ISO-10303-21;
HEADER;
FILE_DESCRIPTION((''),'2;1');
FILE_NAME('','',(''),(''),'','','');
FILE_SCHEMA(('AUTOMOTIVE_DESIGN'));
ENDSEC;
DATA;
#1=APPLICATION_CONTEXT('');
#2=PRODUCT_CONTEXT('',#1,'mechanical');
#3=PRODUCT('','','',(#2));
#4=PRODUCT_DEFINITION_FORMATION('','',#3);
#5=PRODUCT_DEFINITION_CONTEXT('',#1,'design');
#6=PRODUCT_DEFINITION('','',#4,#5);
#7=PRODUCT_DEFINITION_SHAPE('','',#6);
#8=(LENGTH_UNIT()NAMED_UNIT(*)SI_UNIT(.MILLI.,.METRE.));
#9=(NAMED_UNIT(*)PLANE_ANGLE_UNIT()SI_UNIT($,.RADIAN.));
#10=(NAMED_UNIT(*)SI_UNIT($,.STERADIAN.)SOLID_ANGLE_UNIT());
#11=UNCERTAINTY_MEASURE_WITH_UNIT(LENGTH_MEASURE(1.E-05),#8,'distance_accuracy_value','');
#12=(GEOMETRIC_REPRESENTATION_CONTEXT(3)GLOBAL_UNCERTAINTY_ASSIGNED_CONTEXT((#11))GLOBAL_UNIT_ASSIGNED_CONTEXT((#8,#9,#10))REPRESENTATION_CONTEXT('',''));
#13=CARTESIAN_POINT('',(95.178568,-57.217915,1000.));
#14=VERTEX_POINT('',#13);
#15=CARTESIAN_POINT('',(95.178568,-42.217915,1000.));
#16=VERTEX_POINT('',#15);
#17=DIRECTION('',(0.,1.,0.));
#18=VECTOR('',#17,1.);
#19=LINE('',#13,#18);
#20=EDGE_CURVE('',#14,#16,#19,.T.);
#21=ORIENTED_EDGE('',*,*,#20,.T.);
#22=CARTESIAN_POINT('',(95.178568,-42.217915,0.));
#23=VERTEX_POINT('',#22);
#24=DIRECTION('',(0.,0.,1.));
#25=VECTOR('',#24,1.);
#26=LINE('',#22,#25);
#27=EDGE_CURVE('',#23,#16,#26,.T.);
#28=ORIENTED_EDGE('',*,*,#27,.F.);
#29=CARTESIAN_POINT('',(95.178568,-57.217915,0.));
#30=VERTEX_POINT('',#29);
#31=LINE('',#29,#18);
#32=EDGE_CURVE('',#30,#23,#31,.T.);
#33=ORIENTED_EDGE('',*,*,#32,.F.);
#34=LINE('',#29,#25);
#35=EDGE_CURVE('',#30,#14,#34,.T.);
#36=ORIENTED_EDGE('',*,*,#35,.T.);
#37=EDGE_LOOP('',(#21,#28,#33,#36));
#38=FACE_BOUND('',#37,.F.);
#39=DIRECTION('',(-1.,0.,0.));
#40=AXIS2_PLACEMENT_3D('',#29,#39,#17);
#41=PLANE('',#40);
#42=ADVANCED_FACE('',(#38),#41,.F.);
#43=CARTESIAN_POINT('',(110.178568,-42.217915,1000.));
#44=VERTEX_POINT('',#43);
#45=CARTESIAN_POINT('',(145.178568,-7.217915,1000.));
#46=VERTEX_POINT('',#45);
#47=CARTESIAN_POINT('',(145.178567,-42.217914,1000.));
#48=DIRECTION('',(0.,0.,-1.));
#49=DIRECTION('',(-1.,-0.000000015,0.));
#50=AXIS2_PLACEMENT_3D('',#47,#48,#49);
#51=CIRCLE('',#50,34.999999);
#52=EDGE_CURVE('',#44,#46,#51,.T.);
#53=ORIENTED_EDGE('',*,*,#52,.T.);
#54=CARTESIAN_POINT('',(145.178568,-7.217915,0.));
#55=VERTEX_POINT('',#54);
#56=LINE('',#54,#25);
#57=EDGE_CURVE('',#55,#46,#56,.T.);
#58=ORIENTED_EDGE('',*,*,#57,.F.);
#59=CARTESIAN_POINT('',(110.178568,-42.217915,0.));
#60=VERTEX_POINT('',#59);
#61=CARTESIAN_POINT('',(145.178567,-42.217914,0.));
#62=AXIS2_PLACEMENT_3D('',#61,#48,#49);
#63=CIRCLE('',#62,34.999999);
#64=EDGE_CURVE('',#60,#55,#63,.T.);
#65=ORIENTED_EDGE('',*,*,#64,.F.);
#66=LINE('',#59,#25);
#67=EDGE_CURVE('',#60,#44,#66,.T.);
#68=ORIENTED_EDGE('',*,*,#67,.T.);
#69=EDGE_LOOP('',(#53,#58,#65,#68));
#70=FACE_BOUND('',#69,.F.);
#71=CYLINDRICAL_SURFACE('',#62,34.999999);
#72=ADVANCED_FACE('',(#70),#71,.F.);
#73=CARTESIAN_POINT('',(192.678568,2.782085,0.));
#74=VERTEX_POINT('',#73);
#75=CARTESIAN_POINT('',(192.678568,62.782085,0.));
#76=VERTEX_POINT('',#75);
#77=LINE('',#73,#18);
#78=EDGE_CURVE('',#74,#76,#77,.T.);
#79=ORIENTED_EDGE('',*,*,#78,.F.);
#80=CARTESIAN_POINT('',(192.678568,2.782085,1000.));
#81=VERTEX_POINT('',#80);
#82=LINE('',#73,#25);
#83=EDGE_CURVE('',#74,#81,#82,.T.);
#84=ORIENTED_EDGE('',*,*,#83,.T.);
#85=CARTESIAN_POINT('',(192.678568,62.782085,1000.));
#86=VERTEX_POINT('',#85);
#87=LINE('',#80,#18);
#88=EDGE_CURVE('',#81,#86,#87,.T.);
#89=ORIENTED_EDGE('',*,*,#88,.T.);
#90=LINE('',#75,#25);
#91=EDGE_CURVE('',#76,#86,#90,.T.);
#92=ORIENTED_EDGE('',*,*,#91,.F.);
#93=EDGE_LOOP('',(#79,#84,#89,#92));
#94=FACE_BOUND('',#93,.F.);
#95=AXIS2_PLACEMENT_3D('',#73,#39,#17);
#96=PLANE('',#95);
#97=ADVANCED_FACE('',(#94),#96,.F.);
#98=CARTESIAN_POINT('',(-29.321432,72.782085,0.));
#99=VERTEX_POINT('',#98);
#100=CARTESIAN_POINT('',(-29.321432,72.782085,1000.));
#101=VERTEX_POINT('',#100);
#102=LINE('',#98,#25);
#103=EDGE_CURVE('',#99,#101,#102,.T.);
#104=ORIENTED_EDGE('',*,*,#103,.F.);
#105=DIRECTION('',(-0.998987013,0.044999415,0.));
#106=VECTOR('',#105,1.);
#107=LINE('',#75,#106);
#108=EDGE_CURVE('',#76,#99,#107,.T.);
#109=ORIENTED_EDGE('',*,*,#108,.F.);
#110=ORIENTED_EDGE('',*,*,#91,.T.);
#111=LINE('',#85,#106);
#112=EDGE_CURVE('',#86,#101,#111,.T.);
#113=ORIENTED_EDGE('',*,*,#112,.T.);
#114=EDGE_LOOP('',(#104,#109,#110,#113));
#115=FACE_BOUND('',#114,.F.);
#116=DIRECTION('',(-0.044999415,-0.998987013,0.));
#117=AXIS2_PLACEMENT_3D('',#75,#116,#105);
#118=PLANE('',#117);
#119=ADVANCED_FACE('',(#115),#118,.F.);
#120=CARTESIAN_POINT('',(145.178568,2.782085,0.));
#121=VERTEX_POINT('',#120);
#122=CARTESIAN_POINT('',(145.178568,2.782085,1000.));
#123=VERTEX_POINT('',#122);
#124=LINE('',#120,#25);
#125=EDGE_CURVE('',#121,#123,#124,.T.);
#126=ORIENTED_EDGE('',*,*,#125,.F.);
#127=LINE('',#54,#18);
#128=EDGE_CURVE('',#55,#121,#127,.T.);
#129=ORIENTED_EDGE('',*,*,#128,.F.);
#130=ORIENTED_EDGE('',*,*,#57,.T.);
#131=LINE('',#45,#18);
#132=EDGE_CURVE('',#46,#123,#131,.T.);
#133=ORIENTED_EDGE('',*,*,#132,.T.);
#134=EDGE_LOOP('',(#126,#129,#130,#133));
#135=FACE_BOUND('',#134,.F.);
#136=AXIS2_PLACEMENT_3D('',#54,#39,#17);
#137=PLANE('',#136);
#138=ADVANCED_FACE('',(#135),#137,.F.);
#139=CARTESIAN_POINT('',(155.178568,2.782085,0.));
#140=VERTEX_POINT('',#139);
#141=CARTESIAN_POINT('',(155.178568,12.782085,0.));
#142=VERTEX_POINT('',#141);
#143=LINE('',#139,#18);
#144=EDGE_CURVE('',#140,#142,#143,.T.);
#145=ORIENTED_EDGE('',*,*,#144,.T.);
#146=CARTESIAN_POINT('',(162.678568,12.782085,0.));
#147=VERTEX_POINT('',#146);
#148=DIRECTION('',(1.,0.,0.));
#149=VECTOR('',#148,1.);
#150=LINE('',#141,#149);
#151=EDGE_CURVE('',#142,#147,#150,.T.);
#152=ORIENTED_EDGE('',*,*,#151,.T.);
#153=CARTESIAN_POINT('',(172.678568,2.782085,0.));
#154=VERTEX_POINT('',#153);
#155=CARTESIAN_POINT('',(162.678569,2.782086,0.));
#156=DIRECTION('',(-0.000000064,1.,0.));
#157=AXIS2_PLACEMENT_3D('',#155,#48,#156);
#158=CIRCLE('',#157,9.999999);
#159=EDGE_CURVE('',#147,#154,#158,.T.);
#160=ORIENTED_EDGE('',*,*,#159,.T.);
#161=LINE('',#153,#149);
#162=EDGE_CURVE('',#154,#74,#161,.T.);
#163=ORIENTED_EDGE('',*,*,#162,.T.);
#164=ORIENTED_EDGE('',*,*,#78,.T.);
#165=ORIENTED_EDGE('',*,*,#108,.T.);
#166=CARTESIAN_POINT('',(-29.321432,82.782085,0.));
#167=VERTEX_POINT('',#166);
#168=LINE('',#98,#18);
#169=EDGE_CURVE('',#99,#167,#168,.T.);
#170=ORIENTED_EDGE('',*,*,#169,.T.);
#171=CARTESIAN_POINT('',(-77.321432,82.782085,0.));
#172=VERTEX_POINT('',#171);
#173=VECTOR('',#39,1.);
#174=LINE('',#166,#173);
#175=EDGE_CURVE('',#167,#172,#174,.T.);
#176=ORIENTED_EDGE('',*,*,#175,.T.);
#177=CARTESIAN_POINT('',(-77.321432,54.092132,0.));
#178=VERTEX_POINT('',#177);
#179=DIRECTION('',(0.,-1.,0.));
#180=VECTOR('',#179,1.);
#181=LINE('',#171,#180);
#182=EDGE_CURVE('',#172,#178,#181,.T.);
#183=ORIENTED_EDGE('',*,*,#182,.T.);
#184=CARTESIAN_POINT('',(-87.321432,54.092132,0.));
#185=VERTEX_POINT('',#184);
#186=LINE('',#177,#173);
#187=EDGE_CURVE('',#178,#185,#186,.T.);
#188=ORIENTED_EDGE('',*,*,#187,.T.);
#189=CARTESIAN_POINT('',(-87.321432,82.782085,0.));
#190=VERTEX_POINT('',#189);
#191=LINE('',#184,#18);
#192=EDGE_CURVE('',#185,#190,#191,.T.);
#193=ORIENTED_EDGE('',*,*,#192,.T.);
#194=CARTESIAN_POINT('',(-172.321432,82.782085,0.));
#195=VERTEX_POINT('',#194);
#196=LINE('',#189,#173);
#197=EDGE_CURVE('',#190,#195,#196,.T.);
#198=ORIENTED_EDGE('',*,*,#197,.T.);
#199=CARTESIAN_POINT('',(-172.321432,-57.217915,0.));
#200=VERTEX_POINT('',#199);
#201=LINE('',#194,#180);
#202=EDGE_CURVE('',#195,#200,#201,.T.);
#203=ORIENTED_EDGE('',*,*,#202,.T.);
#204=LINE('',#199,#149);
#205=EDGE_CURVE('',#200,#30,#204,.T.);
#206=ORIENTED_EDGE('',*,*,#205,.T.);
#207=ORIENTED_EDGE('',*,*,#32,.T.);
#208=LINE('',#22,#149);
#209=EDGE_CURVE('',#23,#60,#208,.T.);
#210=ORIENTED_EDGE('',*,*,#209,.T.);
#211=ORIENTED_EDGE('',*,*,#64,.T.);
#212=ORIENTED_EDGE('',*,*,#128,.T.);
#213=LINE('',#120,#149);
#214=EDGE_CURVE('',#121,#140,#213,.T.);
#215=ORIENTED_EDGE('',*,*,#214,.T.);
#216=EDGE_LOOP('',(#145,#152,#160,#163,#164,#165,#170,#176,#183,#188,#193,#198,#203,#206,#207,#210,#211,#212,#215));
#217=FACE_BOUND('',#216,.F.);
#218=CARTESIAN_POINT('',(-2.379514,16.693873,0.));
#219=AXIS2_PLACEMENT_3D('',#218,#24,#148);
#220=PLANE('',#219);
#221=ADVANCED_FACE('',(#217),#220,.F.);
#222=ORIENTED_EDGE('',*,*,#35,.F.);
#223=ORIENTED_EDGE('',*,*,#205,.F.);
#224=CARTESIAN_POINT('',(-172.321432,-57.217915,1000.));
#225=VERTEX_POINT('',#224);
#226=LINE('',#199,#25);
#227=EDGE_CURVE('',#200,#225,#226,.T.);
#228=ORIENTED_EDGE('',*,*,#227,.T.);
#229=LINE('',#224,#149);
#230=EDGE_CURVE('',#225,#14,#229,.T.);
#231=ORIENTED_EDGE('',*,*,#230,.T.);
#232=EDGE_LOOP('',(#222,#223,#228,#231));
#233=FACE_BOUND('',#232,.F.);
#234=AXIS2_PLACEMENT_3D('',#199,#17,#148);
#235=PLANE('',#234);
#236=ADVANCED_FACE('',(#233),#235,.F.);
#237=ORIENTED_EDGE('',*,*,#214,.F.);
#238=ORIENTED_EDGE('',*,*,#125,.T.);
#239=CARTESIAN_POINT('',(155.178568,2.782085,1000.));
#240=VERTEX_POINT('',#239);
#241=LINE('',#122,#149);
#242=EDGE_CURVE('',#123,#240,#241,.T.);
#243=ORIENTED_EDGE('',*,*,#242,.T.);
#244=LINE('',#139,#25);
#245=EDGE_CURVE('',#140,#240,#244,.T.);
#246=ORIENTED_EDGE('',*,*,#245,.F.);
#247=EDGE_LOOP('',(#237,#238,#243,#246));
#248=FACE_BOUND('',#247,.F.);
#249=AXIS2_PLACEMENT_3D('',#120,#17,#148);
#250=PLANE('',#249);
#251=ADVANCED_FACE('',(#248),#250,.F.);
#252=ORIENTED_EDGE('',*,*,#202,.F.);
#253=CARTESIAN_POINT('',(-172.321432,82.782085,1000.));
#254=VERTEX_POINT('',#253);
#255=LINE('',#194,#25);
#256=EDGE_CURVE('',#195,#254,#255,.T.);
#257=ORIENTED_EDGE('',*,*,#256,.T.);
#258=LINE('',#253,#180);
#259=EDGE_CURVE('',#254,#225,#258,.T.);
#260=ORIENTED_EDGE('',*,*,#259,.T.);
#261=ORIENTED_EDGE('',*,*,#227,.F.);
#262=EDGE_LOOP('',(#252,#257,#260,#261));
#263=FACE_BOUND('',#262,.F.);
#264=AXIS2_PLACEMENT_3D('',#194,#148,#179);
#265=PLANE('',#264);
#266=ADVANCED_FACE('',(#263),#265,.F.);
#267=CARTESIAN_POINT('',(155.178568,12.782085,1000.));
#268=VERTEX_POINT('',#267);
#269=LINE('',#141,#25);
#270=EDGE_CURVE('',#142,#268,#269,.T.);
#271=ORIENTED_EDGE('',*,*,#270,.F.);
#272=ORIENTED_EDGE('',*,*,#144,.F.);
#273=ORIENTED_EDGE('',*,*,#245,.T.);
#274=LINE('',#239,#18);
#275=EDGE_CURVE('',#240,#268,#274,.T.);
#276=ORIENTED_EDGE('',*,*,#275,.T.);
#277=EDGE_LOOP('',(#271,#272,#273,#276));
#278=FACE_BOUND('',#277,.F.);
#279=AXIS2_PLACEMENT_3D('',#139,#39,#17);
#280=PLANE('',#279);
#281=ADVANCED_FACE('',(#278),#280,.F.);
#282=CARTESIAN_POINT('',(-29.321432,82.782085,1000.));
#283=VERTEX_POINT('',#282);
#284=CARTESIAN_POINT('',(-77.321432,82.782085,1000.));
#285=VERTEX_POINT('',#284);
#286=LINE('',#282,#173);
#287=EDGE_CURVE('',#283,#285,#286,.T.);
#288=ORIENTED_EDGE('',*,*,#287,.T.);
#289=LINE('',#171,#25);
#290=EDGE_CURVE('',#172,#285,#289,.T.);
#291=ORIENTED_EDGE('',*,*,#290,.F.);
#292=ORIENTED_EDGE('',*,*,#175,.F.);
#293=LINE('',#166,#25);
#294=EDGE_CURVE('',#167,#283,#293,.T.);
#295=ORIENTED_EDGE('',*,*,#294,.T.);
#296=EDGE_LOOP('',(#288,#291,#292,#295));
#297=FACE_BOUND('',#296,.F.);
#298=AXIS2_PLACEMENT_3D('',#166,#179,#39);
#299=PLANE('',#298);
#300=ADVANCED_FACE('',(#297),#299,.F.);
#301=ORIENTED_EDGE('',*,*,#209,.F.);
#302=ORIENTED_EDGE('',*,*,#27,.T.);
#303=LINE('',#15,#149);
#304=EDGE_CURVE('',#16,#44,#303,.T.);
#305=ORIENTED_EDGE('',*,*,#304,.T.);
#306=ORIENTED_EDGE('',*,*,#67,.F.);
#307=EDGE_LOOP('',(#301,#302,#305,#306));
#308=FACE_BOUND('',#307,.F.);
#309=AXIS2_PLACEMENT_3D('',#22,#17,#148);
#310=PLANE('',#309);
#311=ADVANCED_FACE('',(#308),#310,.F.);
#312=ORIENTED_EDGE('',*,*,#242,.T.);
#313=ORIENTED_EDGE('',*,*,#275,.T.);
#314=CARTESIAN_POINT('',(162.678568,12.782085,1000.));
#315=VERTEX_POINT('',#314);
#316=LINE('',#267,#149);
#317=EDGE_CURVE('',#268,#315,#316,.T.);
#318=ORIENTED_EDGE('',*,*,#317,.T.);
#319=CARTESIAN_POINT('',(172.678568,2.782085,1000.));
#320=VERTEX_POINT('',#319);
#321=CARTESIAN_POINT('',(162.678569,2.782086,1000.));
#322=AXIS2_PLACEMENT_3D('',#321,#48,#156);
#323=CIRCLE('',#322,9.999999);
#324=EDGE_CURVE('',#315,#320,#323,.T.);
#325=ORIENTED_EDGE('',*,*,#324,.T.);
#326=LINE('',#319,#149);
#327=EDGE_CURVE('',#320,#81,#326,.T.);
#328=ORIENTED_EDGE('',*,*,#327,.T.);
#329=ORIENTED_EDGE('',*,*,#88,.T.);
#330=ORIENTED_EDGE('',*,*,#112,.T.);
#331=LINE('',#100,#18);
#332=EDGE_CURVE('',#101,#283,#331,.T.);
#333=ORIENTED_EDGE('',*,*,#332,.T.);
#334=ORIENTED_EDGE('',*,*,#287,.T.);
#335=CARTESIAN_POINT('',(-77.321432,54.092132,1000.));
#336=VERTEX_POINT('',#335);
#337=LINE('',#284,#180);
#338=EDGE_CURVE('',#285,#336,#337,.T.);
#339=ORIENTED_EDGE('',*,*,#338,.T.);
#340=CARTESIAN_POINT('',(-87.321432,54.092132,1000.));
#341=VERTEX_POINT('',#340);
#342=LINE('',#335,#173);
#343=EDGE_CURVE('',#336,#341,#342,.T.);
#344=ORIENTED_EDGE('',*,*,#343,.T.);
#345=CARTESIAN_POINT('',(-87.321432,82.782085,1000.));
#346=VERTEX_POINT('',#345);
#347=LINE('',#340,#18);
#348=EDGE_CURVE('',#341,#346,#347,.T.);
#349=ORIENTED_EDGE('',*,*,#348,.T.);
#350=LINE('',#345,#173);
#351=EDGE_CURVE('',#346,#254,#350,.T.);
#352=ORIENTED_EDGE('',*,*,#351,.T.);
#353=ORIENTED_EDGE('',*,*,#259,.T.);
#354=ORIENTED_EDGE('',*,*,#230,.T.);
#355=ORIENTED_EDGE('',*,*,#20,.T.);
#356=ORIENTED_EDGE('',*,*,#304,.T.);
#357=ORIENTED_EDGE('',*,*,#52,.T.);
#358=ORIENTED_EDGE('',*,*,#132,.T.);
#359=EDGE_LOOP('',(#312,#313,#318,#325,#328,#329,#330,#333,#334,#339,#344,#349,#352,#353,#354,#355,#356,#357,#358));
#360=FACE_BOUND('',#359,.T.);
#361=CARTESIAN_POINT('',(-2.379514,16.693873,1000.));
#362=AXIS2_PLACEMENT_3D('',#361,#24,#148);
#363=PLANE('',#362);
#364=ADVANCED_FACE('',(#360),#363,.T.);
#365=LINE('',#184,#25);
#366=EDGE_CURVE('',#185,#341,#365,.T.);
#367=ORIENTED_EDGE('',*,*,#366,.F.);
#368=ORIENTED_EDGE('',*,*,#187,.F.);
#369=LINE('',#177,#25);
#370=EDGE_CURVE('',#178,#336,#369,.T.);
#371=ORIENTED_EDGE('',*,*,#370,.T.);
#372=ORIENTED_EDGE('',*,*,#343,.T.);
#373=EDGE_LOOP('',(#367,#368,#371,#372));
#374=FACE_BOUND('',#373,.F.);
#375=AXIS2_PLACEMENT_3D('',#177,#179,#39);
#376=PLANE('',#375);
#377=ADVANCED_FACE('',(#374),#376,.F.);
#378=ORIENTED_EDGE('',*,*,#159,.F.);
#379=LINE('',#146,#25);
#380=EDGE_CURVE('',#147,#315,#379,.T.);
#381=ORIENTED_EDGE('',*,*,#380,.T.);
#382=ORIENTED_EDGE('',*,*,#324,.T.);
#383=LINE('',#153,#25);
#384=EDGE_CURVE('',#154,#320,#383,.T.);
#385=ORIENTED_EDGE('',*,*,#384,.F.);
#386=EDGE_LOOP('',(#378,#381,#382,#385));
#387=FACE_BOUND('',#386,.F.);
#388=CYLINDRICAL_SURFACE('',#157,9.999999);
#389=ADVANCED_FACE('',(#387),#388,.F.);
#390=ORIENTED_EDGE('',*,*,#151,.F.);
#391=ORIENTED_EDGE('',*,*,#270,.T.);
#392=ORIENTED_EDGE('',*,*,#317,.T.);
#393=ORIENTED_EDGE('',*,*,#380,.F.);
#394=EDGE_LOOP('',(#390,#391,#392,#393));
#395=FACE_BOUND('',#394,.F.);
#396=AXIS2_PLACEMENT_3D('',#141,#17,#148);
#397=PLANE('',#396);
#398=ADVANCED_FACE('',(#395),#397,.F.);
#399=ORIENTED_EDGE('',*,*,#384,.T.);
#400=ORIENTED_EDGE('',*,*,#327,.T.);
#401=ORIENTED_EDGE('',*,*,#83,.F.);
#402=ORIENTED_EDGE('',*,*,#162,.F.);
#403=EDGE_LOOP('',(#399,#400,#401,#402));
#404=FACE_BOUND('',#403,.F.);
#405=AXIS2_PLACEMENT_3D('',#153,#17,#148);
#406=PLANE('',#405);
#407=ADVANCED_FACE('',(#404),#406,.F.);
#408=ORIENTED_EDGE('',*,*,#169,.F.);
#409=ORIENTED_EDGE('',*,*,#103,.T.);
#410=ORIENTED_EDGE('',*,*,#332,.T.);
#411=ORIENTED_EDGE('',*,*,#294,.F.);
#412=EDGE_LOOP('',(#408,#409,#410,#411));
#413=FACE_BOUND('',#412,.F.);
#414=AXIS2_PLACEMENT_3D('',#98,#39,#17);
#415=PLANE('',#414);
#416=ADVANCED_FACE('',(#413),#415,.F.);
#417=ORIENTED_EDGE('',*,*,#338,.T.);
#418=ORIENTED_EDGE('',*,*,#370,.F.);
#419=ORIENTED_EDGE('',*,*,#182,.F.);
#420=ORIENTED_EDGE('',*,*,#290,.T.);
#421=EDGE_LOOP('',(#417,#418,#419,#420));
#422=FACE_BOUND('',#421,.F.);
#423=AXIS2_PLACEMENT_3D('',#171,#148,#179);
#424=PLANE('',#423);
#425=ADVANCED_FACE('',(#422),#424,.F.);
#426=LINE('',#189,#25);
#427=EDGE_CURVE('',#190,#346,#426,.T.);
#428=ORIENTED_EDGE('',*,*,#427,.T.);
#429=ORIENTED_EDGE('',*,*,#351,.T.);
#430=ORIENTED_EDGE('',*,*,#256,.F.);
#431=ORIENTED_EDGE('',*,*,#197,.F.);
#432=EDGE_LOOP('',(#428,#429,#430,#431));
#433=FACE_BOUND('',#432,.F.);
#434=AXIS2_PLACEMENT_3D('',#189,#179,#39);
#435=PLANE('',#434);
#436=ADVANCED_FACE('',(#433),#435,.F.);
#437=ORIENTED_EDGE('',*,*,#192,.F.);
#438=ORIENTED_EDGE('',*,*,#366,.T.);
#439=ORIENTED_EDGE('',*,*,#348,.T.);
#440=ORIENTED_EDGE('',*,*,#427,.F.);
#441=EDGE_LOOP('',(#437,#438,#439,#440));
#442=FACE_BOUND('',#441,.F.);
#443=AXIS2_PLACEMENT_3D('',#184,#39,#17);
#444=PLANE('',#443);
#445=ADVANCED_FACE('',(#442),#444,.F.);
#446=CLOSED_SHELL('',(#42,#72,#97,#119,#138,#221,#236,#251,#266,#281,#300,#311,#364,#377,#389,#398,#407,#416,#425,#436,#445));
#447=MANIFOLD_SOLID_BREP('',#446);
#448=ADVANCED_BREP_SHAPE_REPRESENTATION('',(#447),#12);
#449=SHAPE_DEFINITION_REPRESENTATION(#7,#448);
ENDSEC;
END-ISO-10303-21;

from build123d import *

# Parameters (mm, degrees)
F1_DEPTH = 1000


with BuildPart() as f1:
    # F0 (on Top) → F1 (new body)
    with BuildSketch(Plane.XY):
        with BuildLine():
            Line((-87.321432, 82.782085), (-172.321432, 82.782085))
            Line((-172.321432, 82.782085), (-172.321432, -57.217915))
            Line((-172.321432, -57.217915), (95.178568, -57.217915))
            Line((95.178568, -57.217915), (95.178568, -42.217915))
            Line((95.178568, -42.217915), (110.178568, -42.217915))
            ThreePointArc((110.178568, -42.217915), (120.42983, -17.469178), (145.178568, -7.217915))
            Line((145.178568, -7.217915), (145.178568, 2.782085))
            Line((145.178568, 2.782085), (155.178568, 2.782085))
            Line((155.178568, 2.782085), (155.178568, 12.782085))
            Line((155.178568, 12.782085), (162.678568, 12.782085))
            ThreePointArc((162.678568, 12.782085), (169.749636, 9.853153), (172.678568, 2.782085))
            Line((172.678568, 2.782085), (192.678568, 2.782085))
            Line((192.678568, 2.782085), (192.678568, 62.782085))
            Line((192.678568, 62.782085), (-29.321432, 72.782085))
            Line((-29.321432, 72.782085), (-29.321432, 82.782085))
            Line((-29.321432, 82.782085), (-77.321432, 82.782085))
            Line((-77.321432, 82.782085), (-77.321432, 54.092132))
            Line((-77.321432, 54.092132), (-87.321432, 54.092132))
            Line((-87.321432, 54.092132), (-87.321432, 82.782085))
        make_face()
    extrude(amount=F1_DEPTH)


solid = f1.part
